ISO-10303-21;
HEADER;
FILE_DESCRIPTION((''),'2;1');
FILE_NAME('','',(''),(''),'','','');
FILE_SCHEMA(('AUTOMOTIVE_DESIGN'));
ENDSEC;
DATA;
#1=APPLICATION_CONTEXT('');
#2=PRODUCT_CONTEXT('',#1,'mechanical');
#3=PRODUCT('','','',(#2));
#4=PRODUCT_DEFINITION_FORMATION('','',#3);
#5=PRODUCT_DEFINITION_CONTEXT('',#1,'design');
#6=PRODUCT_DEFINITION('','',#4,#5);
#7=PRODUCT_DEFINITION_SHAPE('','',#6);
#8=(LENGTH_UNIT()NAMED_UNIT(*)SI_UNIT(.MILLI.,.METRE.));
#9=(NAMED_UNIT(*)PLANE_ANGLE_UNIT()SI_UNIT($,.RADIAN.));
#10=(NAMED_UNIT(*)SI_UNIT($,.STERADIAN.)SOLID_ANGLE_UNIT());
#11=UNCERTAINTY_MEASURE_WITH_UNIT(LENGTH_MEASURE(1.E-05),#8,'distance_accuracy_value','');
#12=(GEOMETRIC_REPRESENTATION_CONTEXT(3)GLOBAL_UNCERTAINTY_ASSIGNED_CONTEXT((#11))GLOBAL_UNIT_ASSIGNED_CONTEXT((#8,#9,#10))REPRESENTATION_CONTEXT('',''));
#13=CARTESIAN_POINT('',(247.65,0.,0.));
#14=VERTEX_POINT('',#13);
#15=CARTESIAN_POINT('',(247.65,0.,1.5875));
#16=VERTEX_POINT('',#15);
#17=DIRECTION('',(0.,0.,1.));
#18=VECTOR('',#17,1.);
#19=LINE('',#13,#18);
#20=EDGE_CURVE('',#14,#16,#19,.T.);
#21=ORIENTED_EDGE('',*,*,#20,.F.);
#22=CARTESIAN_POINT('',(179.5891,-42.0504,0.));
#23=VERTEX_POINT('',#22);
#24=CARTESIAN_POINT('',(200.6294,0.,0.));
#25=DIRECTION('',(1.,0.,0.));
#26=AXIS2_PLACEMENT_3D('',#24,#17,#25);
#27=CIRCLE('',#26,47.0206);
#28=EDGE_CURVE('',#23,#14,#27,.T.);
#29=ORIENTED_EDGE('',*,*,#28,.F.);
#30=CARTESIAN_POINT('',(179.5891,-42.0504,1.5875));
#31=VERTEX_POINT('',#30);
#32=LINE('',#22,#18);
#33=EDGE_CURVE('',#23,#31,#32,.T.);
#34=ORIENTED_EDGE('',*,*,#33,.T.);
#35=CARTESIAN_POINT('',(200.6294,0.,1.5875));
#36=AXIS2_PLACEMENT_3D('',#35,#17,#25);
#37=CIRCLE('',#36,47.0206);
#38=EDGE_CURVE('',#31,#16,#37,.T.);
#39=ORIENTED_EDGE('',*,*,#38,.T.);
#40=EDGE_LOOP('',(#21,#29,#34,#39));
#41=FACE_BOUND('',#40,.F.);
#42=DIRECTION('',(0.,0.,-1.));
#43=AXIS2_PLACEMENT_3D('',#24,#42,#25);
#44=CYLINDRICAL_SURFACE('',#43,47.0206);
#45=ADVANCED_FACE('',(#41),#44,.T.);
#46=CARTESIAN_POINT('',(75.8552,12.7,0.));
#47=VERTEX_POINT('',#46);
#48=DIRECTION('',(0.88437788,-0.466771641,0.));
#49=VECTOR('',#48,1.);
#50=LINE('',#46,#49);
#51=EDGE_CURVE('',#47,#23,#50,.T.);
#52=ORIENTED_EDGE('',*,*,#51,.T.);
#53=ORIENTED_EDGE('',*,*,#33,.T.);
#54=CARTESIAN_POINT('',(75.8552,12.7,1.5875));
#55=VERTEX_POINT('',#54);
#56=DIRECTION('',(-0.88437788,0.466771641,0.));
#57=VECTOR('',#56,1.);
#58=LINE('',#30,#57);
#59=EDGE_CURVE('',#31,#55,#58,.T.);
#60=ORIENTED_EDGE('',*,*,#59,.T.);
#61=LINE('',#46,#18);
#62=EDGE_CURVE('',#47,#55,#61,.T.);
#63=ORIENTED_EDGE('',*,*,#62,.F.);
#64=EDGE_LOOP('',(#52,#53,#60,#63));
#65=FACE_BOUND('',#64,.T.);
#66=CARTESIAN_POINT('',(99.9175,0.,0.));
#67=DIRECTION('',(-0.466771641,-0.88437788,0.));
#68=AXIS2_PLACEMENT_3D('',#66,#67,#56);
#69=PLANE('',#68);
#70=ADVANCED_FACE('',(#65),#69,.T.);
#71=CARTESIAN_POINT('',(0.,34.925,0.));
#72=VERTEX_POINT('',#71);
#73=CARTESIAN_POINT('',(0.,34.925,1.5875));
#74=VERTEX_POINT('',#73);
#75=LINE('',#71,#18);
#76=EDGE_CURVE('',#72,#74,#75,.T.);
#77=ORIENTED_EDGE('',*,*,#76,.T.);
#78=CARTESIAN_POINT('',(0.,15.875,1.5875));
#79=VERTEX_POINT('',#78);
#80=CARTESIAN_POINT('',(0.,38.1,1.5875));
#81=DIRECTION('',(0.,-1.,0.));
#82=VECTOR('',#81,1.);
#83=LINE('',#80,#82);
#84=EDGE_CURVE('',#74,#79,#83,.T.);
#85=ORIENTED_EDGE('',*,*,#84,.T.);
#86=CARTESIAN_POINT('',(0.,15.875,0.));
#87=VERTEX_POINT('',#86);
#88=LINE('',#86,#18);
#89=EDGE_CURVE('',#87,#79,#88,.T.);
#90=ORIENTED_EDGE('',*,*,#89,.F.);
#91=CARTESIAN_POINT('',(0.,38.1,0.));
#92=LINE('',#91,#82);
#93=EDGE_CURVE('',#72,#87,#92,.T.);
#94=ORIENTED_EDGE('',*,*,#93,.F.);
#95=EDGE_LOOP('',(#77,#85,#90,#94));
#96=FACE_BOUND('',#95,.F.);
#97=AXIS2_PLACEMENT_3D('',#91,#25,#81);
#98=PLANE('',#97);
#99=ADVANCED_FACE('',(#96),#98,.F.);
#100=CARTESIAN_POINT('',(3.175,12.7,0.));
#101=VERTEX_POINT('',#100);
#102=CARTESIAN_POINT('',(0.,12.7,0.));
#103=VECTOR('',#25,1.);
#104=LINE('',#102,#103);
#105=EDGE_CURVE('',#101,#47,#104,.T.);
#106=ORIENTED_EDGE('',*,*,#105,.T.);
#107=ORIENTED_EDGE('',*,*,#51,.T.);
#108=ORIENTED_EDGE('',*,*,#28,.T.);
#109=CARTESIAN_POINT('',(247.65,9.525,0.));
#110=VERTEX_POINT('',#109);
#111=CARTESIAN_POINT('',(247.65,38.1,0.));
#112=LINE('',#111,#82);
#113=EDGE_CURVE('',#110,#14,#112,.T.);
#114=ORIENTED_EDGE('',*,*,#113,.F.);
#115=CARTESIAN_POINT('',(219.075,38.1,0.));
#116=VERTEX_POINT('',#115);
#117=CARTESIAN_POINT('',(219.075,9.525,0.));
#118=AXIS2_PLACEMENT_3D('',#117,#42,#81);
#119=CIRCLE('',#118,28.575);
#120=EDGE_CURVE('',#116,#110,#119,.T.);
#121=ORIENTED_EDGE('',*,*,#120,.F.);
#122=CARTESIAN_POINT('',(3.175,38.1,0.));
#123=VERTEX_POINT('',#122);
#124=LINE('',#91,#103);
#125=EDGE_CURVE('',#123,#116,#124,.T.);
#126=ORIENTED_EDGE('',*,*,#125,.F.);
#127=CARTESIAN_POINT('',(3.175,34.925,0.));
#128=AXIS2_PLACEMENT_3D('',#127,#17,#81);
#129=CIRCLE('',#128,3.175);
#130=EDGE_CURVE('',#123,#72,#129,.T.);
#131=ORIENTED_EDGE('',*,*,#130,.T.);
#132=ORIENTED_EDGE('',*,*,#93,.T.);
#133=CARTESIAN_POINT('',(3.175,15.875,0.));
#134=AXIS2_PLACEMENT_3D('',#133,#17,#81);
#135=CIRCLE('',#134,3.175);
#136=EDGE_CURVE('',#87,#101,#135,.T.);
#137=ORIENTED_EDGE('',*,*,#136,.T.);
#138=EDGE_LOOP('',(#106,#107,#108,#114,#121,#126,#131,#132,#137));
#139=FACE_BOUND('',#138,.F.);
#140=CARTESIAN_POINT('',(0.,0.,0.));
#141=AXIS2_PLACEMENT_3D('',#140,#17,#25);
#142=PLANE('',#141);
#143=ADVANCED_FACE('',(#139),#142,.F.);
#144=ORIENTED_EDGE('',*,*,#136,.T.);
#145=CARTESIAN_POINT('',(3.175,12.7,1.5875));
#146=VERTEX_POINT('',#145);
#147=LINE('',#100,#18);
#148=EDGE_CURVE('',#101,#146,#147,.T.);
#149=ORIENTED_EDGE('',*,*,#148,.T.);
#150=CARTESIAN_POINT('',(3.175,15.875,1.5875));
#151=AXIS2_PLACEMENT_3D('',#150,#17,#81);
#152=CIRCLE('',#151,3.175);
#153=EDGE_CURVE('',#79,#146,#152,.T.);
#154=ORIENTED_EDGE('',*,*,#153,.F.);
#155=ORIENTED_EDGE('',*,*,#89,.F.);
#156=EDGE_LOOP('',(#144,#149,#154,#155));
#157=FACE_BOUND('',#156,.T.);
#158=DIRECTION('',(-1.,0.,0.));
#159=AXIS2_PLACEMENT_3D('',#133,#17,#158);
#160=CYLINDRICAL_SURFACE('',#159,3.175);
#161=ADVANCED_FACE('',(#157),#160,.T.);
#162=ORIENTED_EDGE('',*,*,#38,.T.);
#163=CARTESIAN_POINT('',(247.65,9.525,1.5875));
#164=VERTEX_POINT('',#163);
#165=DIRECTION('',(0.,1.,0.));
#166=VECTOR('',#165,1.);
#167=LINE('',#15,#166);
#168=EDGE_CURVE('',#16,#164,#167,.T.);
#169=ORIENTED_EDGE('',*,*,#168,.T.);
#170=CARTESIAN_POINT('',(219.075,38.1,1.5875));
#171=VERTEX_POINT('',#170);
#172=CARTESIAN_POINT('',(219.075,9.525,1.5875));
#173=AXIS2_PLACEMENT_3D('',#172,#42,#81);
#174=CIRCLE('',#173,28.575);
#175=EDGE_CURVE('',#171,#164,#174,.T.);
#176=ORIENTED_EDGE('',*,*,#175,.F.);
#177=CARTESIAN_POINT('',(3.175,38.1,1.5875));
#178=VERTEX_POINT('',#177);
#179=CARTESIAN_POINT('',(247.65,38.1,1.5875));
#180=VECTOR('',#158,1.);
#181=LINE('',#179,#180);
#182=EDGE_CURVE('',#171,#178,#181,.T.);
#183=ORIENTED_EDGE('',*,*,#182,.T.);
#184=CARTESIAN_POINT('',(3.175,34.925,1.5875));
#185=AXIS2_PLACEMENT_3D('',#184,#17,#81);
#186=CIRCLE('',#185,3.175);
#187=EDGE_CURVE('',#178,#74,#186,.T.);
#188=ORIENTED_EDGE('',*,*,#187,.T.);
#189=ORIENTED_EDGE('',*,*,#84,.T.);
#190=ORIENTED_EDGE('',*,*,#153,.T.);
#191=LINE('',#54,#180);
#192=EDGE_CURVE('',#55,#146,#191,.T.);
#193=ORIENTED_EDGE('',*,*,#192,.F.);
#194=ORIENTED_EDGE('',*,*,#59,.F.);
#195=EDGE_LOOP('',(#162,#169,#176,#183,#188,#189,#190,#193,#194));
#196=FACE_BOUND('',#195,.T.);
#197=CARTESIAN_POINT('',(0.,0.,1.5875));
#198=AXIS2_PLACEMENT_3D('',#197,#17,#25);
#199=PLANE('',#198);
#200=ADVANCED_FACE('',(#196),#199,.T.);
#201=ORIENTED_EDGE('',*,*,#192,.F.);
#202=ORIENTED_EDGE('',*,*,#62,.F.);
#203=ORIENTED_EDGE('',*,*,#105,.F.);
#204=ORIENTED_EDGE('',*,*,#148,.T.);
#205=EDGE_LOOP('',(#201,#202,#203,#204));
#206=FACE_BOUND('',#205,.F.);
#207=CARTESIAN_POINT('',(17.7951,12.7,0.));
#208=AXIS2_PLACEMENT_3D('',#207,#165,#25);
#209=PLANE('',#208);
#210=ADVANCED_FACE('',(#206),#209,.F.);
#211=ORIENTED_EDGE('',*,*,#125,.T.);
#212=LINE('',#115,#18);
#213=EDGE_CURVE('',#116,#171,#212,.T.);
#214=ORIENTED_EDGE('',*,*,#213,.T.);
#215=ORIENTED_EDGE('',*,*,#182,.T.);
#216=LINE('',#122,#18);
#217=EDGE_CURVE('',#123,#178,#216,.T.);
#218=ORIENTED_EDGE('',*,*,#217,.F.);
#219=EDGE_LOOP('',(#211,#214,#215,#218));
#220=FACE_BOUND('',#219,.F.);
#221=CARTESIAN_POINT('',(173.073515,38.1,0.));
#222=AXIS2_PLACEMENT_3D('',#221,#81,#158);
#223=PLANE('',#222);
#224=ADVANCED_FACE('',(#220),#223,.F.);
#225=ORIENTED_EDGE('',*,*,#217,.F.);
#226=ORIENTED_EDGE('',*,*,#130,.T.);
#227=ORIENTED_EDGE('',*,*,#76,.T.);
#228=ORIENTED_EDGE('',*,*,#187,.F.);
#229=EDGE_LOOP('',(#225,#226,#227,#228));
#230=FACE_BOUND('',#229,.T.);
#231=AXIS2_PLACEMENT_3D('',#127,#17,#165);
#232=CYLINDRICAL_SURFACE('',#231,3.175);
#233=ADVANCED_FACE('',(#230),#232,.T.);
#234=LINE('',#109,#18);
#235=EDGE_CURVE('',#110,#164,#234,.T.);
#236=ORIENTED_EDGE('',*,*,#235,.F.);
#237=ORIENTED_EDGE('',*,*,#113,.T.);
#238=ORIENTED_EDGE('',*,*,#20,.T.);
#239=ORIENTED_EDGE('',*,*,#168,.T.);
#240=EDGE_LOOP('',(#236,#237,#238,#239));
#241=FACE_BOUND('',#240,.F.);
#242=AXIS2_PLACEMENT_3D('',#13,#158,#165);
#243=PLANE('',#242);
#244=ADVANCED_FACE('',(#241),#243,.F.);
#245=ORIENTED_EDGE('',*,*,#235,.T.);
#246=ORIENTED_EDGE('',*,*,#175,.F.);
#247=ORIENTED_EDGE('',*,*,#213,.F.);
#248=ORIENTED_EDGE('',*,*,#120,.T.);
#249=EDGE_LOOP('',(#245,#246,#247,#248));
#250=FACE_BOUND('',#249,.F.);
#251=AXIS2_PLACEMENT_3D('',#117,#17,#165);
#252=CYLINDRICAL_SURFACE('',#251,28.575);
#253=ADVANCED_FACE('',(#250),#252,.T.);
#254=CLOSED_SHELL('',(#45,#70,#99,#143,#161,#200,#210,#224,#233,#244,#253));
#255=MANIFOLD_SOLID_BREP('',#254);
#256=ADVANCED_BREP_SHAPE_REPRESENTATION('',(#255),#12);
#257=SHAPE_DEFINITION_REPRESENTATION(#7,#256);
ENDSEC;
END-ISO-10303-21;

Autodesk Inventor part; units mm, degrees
ref_plane "YZ Plane" through (0, 0, 0) normal (1, 0, 0) x (0, 1, 0)
ref_plane "XZ Plane" through (0, 0, 0) normal (0, 1, 0) x (-1, 0, 0)
ref_plane "XY Plane" through (0, 0, 0) normal (0, 0, 1) x (1, 0, 0)
sketch "Sketch1" plane through (0, 0, 0) normal (0, 0, 1) x (1, 0, 0)
  line L0 (0, 0) -> (247.65, 0)
  line L1 (247.65, 0) -> (247.65, 38.1)
  line L2 (247.65, 38.1) -> (0, 38.1)
  line L3 (0, 38.1) -> (0, 0)
  line L4 (286.1616, 0) -> (255.1962, 0)
  line L5 (255.1962, 0) -> (255.1962, 12.7)
  line L6 (255.1962, 12.7) -> (286.1616, 12.7)
  line L7 (286.1616, 12.7) -> (286.1616, 0)
  line L8 (247.65, 12.7) -> (200.66, 12.7)
  circle A0 centre (200.6294, 0) radius 47.0206
  line L9 (16.2468, 38.1) -> (16.2468, 12.7)
  line L10 (16.2468, 12.7) -> (155.3565, 12.7)
  line L11 (0, 12.7) -> (17.7951, 12.7)
  line L12 (179.5891, -42.0504) -> (75.8552, 12.7)
  dimension "d0" = 247.65
  dimension "d1" = 38.1
  dimension "d2" = 12.7
  dimension "d3" = 30.9654
  dimension "d4" = 46.99
extrude "Extrusion1" add sketch "Sketch1" along normal blind 1.5875 contours L12 L10 A0 L0 | L0 A0 L12 | L3 L2 L9 L11 | A0 L2 L0 | L0 A0 L12 | L10 L9 L2 A0 | A0 L8 L1 | L8 A0 L2 L1
fillet "Fillet1" radius 28.575 1 edges at (247.65, 38.1, 0.7937)
fillet "Fillet2" radius 3.175 1 edges at (0, 38.1, 0.7937)
fillet "Fillet3" radius 3.175 1 edges at (0, 12.7, 0.7937)
properties part number "intake sled v5"
